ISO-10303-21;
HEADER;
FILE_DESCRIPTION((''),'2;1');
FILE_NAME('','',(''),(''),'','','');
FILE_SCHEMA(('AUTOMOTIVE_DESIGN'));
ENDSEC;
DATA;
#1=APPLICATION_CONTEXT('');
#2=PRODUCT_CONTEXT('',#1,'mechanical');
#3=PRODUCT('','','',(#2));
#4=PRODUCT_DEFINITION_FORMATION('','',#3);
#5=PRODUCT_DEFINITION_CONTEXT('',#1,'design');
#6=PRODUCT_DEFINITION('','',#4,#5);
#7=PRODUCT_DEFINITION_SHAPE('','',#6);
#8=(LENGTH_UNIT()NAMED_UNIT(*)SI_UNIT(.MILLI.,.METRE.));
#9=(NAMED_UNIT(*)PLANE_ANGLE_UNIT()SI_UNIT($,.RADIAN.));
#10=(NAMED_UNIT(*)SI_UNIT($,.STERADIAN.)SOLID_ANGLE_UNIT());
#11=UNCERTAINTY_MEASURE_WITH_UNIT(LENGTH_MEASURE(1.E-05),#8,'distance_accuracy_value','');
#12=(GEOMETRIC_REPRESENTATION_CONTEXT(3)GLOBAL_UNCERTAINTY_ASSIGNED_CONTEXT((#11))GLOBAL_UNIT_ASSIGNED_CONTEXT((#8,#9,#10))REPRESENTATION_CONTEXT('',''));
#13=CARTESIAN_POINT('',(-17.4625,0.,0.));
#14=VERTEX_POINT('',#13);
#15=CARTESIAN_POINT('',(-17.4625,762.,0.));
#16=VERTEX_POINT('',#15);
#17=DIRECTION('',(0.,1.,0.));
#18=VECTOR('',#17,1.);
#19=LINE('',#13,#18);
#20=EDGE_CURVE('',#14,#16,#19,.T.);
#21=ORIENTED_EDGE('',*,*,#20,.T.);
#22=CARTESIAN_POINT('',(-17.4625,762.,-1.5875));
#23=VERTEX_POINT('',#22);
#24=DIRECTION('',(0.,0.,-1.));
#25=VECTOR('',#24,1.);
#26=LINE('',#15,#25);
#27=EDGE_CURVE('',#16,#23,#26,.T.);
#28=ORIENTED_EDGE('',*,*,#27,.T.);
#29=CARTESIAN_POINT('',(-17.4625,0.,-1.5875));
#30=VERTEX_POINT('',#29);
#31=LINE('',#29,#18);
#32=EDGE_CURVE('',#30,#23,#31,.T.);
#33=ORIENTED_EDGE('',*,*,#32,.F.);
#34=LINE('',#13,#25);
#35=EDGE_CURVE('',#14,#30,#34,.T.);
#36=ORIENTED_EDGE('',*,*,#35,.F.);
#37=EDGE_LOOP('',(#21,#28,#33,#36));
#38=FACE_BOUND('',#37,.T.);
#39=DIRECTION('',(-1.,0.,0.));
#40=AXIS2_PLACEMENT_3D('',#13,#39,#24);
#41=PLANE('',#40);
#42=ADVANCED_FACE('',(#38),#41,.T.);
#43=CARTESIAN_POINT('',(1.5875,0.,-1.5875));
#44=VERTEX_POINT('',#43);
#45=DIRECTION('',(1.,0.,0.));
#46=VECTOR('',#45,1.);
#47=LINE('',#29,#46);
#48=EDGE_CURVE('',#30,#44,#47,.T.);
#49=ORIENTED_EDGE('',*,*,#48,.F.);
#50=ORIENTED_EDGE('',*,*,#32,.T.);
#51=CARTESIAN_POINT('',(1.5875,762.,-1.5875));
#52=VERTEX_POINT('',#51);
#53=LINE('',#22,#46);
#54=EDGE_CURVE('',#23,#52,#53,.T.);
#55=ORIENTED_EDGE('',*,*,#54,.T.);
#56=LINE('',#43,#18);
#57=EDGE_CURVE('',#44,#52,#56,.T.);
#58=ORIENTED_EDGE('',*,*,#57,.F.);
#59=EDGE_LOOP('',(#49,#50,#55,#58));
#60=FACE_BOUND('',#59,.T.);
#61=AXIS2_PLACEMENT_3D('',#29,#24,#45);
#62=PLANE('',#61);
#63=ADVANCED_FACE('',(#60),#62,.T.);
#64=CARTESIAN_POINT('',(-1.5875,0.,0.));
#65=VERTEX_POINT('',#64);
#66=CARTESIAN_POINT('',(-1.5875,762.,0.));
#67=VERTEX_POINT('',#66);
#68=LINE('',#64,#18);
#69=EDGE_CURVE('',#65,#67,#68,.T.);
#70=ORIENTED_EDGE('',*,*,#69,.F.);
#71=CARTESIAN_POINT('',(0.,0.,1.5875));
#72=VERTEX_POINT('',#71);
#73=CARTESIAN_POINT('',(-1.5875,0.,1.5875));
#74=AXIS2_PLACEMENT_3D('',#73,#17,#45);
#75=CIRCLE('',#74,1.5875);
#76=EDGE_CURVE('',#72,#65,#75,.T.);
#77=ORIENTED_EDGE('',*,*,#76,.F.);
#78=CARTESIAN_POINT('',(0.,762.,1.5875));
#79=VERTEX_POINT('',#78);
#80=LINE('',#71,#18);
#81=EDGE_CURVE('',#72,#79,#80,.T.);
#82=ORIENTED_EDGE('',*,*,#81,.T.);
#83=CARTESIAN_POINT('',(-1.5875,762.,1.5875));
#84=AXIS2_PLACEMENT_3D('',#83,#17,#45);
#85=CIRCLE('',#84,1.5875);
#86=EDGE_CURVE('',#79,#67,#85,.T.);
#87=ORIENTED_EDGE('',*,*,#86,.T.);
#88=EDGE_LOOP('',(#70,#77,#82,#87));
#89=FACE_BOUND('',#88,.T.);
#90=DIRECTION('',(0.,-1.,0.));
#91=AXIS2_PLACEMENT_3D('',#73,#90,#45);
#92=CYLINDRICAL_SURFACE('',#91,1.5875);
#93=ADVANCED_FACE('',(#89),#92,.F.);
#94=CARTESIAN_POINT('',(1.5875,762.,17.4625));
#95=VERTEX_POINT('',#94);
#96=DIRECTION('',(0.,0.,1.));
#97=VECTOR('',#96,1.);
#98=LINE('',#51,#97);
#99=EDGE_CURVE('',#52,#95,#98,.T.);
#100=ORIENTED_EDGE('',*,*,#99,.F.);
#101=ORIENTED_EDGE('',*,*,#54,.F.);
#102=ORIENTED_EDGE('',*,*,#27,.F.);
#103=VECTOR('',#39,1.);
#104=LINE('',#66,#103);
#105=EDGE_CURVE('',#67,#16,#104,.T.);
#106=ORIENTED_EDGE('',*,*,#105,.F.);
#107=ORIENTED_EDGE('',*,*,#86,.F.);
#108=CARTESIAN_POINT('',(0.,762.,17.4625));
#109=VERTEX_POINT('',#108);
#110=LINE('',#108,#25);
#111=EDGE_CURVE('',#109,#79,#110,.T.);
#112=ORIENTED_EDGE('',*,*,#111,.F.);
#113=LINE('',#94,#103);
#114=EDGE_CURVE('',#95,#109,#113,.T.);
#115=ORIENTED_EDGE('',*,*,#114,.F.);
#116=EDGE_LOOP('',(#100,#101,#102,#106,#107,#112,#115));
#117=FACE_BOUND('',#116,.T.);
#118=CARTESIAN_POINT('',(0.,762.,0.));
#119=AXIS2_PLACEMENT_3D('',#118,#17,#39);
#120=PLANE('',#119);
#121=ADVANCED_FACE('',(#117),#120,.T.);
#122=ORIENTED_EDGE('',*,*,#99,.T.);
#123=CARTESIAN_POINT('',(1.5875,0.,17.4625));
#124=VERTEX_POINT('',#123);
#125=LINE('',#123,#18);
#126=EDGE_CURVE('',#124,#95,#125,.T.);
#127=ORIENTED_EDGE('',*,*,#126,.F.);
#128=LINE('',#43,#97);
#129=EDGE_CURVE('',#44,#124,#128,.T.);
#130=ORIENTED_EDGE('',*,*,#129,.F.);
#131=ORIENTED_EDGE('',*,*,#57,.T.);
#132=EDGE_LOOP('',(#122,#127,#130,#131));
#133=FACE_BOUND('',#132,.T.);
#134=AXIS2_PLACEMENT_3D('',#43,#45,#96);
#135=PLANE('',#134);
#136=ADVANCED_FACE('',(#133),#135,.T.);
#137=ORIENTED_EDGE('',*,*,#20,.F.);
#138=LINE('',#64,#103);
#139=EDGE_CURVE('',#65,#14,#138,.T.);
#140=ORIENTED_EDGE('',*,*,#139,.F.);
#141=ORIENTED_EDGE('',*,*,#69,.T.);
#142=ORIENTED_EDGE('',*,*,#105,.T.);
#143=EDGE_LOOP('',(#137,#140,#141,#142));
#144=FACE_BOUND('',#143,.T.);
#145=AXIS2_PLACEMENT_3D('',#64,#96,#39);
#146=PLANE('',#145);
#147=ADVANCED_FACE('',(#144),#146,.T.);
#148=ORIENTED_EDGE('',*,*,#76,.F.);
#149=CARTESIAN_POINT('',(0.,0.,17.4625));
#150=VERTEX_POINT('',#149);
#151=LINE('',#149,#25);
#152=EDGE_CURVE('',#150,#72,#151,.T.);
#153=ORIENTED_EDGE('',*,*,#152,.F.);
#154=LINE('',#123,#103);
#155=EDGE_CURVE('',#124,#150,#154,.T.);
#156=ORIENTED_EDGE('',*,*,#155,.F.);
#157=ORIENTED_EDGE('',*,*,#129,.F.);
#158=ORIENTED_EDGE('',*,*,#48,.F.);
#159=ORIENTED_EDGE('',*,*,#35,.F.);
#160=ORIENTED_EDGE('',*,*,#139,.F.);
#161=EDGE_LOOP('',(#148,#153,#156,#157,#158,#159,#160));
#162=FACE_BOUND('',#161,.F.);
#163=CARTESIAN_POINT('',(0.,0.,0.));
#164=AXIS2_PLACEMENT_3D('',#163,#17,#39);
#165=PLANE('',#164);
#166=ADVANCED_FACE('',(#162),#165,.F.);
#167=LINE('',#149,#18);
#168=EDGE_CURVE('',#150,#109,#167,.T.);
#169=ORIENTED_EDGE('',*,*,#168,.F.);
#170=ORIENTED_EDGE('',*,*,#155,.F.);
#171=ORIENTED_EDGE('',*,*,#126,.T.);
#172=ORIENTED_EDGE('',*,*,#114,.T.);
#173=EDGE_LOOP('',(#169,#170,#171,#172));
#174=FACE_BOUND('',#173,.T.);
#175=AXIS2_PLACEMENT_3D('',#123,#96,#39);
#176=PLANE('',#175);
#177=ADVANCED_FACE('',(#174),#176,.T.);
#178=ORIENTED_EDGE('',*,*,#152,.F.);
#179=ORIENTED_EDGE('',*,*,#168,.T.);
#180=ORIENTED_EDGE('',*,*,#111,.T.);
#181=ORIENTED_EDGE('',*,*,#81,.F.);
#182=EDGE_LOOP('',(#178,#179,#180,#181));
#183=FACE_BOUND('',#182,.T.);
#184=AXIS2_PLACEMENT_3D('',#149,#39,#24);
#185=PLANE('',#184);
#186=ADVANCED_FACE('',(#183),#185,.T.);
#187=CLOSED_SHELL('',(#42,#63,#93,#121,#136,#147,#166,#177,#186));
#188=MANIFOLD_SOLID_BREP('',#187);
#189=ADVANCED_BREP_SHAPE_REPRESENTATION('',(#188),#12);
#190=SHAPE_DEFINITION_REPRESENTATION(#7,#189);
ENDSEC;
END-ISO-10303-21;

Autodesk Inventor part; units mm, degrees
ref_plane "YZ Plane" through (0, 0, 0) normal (1, 0, 0) x (0, 1, 0)
ref_plane "XZ Plane" through (0, 0, 0) normal (0, 1, 0) x (-1, 0, 0)
ref_plane "XY Plane" through (0, 0, 0) normal (0, 0, 1) x (1, 0, 0)
sketch "Sketch1" plane through (0, 0, 0) normal (0, 1, 0) x (-1, 0, 0)
  line L0 (0, 17.4625) -> (0, 1.5875)
  line L1 (1.5875, 0) -> (17.4625, 0)
  line L2 (17.4625, 0) -> (17.4625, -1.5875)
  line L3 (17.4625, -1.5875) -> (-1.5875, -1.5875)
  line L4 (-1.5875, -1.5875) -> (-1.5875, 17.4625)
  line L5 (-1.5875, 17.4625) -> (0, 17.4625)
  arc A0 (0, 1.5875) -> (1.5875, 0) centre (1.5875, 1.5875) ccw
  point P0 (0, 0)
  dimension "d0" = 1.5875
  dimension "d1" = 19.05
  dimension "d2" = 1.5875
extrude "Extrusion1" add sketch "Sketch1" along normal blind 762
properties part number "Long Wall Cross" material "Aluminum 6061"
